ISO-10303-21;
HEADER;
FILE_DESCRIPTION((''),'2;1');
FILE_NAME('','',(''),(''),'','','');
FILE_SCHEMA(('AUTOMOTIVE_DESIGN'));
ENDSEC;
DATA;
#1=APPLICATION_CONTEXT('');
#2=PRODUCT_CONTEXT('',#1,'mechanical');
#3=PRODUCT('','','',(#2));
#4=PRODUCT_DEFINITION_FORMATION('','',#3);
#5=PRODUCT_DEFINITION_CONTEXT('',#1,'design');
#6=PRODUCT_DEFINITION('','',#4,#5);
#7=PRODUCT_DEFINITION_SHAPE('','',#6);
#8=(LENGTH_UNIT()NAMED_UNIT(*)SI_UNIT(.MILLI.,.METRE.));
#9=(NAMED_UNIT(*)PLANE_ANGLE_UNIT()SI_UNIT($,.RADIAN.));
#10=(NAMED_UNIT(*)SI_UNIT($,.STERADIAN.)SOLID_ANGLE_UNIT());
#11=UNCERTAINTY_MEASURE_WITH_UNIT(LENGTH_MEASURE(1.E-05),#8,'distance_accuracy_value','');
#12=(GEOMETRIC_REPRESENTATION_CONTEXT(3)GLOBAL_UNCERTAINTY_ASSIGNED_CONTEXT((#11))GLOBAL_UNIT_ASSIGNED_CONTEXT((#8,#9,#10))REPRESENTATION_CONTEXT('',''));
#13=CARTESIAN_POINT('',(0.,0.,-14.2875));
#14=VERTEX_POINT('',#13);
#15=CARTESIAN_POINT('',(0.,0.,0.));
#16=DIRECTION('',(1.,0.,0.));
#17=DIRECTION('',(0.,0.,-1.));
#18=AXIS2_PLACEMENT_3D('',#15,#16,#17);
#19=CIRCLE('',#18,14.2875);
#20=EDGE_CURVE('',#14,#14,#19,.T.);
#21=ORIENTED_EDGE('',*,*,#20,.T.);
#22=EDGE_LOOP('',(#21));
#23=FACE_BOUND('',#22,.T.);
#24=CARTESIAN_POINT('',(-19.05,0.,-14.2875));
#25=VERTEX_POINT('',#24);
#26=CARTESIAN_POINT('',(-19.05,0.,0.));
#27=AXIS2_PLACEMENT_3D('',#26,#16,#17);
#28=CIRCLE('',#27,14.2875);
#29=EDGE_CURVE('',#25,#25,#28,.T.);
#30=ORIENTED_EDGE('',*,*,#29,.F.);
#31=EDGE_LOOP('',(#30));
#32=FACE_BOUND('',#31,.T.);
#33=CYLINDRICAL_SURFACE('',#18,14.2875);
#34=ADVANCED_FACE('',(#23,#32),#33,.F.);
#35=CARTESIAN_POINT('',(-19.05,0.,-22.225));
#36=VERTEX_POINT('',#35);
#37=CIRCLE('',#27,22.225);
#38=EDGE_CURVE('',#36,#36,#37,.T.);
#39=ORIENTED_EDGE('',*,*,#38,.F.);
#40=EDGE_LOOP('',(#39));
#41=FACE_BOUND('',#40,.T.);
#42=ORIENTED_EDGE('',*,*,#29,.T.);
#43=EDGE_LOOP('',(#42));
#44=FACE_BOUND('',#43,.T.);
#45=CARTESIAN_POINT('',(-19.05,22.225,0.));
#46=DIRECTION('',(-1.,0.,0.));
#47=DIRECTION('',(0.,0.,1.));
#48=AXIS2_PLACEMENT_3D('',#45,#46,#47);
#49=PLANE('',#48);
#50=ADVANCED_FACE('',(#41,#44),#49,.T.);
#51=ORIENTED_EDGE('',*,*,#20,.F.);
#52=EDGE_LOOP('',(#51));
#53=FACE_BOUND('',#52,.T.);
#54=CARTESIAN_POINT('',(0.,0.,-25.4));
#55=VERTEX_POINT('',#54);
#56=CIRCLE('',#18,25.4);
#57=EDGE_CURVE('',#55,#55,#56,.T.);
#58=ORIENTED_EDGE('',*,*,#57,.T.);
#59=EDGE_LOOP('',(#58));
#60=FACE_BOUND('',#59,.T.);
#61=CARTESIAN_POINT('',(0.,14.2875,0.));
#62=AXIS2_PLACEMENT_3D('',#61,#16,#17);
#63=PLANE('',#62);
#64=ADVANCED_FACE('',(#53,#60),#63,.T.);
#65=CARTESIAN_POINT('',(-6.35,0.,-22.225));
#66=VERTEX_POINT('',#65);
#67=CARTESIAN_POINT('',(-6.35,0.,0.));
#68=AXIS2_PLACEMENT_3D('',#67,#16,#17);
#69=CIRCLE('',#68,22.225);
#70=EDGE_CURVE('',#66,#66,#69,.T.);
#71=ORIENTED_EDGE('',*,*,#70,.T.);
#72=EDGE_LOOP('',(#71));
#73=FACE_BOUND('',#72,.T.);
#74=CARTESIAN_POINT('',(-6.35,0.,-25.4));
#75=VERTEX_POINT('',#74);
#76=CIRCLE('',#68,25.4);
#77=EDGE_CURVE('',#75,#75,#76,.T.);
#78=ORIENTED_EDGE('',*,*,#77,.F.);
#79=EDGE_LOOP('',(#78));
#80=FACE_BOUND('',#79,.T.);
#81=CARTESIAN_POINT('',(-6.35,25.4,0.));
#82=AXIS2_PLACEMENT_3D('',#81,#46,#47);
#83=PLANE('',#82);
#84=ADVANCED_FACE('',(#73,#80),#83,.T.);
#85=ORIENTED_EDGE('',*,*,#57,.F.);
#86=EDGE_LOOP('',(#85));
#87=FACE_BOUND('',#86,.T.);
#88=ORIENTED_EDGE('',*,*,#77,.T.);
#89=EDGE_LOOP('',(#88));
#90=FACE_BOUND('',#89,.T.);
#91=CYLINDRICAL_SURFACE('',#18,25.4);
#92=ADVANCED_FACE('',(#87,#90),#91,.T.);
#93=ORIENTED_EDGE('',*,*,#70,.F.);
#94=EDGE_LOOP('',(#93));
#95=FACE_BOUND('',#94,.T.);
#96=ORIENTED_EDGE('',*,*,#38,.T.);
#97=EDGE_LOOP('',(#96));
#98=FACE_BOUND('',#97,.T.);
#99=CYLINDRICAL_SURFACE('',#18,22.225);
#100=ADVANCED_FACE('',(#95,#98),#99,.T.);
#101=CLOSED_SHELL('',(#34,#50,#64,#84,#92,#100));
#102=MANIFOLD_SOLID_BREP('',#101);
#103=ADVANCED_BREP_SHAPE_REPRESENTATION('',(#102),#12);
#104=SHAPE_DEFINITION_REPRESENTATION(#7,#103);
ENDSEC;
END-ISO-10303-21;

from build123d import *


with BuildPart() as part:
    # Sketch1 → Revolve1 (revolve)
    with BuildSketch(Plane.XY):
        Polygon((-19.05, 14.2875), (0, 14.2875), (0, 25.4), (-6.35, 25.4), (-6.35, 22.225), (-19.05, 22.225), align=None)
    revolve(axis=Axis((0, 0, 0), (-1, 0, 0)))


solid = part.part
